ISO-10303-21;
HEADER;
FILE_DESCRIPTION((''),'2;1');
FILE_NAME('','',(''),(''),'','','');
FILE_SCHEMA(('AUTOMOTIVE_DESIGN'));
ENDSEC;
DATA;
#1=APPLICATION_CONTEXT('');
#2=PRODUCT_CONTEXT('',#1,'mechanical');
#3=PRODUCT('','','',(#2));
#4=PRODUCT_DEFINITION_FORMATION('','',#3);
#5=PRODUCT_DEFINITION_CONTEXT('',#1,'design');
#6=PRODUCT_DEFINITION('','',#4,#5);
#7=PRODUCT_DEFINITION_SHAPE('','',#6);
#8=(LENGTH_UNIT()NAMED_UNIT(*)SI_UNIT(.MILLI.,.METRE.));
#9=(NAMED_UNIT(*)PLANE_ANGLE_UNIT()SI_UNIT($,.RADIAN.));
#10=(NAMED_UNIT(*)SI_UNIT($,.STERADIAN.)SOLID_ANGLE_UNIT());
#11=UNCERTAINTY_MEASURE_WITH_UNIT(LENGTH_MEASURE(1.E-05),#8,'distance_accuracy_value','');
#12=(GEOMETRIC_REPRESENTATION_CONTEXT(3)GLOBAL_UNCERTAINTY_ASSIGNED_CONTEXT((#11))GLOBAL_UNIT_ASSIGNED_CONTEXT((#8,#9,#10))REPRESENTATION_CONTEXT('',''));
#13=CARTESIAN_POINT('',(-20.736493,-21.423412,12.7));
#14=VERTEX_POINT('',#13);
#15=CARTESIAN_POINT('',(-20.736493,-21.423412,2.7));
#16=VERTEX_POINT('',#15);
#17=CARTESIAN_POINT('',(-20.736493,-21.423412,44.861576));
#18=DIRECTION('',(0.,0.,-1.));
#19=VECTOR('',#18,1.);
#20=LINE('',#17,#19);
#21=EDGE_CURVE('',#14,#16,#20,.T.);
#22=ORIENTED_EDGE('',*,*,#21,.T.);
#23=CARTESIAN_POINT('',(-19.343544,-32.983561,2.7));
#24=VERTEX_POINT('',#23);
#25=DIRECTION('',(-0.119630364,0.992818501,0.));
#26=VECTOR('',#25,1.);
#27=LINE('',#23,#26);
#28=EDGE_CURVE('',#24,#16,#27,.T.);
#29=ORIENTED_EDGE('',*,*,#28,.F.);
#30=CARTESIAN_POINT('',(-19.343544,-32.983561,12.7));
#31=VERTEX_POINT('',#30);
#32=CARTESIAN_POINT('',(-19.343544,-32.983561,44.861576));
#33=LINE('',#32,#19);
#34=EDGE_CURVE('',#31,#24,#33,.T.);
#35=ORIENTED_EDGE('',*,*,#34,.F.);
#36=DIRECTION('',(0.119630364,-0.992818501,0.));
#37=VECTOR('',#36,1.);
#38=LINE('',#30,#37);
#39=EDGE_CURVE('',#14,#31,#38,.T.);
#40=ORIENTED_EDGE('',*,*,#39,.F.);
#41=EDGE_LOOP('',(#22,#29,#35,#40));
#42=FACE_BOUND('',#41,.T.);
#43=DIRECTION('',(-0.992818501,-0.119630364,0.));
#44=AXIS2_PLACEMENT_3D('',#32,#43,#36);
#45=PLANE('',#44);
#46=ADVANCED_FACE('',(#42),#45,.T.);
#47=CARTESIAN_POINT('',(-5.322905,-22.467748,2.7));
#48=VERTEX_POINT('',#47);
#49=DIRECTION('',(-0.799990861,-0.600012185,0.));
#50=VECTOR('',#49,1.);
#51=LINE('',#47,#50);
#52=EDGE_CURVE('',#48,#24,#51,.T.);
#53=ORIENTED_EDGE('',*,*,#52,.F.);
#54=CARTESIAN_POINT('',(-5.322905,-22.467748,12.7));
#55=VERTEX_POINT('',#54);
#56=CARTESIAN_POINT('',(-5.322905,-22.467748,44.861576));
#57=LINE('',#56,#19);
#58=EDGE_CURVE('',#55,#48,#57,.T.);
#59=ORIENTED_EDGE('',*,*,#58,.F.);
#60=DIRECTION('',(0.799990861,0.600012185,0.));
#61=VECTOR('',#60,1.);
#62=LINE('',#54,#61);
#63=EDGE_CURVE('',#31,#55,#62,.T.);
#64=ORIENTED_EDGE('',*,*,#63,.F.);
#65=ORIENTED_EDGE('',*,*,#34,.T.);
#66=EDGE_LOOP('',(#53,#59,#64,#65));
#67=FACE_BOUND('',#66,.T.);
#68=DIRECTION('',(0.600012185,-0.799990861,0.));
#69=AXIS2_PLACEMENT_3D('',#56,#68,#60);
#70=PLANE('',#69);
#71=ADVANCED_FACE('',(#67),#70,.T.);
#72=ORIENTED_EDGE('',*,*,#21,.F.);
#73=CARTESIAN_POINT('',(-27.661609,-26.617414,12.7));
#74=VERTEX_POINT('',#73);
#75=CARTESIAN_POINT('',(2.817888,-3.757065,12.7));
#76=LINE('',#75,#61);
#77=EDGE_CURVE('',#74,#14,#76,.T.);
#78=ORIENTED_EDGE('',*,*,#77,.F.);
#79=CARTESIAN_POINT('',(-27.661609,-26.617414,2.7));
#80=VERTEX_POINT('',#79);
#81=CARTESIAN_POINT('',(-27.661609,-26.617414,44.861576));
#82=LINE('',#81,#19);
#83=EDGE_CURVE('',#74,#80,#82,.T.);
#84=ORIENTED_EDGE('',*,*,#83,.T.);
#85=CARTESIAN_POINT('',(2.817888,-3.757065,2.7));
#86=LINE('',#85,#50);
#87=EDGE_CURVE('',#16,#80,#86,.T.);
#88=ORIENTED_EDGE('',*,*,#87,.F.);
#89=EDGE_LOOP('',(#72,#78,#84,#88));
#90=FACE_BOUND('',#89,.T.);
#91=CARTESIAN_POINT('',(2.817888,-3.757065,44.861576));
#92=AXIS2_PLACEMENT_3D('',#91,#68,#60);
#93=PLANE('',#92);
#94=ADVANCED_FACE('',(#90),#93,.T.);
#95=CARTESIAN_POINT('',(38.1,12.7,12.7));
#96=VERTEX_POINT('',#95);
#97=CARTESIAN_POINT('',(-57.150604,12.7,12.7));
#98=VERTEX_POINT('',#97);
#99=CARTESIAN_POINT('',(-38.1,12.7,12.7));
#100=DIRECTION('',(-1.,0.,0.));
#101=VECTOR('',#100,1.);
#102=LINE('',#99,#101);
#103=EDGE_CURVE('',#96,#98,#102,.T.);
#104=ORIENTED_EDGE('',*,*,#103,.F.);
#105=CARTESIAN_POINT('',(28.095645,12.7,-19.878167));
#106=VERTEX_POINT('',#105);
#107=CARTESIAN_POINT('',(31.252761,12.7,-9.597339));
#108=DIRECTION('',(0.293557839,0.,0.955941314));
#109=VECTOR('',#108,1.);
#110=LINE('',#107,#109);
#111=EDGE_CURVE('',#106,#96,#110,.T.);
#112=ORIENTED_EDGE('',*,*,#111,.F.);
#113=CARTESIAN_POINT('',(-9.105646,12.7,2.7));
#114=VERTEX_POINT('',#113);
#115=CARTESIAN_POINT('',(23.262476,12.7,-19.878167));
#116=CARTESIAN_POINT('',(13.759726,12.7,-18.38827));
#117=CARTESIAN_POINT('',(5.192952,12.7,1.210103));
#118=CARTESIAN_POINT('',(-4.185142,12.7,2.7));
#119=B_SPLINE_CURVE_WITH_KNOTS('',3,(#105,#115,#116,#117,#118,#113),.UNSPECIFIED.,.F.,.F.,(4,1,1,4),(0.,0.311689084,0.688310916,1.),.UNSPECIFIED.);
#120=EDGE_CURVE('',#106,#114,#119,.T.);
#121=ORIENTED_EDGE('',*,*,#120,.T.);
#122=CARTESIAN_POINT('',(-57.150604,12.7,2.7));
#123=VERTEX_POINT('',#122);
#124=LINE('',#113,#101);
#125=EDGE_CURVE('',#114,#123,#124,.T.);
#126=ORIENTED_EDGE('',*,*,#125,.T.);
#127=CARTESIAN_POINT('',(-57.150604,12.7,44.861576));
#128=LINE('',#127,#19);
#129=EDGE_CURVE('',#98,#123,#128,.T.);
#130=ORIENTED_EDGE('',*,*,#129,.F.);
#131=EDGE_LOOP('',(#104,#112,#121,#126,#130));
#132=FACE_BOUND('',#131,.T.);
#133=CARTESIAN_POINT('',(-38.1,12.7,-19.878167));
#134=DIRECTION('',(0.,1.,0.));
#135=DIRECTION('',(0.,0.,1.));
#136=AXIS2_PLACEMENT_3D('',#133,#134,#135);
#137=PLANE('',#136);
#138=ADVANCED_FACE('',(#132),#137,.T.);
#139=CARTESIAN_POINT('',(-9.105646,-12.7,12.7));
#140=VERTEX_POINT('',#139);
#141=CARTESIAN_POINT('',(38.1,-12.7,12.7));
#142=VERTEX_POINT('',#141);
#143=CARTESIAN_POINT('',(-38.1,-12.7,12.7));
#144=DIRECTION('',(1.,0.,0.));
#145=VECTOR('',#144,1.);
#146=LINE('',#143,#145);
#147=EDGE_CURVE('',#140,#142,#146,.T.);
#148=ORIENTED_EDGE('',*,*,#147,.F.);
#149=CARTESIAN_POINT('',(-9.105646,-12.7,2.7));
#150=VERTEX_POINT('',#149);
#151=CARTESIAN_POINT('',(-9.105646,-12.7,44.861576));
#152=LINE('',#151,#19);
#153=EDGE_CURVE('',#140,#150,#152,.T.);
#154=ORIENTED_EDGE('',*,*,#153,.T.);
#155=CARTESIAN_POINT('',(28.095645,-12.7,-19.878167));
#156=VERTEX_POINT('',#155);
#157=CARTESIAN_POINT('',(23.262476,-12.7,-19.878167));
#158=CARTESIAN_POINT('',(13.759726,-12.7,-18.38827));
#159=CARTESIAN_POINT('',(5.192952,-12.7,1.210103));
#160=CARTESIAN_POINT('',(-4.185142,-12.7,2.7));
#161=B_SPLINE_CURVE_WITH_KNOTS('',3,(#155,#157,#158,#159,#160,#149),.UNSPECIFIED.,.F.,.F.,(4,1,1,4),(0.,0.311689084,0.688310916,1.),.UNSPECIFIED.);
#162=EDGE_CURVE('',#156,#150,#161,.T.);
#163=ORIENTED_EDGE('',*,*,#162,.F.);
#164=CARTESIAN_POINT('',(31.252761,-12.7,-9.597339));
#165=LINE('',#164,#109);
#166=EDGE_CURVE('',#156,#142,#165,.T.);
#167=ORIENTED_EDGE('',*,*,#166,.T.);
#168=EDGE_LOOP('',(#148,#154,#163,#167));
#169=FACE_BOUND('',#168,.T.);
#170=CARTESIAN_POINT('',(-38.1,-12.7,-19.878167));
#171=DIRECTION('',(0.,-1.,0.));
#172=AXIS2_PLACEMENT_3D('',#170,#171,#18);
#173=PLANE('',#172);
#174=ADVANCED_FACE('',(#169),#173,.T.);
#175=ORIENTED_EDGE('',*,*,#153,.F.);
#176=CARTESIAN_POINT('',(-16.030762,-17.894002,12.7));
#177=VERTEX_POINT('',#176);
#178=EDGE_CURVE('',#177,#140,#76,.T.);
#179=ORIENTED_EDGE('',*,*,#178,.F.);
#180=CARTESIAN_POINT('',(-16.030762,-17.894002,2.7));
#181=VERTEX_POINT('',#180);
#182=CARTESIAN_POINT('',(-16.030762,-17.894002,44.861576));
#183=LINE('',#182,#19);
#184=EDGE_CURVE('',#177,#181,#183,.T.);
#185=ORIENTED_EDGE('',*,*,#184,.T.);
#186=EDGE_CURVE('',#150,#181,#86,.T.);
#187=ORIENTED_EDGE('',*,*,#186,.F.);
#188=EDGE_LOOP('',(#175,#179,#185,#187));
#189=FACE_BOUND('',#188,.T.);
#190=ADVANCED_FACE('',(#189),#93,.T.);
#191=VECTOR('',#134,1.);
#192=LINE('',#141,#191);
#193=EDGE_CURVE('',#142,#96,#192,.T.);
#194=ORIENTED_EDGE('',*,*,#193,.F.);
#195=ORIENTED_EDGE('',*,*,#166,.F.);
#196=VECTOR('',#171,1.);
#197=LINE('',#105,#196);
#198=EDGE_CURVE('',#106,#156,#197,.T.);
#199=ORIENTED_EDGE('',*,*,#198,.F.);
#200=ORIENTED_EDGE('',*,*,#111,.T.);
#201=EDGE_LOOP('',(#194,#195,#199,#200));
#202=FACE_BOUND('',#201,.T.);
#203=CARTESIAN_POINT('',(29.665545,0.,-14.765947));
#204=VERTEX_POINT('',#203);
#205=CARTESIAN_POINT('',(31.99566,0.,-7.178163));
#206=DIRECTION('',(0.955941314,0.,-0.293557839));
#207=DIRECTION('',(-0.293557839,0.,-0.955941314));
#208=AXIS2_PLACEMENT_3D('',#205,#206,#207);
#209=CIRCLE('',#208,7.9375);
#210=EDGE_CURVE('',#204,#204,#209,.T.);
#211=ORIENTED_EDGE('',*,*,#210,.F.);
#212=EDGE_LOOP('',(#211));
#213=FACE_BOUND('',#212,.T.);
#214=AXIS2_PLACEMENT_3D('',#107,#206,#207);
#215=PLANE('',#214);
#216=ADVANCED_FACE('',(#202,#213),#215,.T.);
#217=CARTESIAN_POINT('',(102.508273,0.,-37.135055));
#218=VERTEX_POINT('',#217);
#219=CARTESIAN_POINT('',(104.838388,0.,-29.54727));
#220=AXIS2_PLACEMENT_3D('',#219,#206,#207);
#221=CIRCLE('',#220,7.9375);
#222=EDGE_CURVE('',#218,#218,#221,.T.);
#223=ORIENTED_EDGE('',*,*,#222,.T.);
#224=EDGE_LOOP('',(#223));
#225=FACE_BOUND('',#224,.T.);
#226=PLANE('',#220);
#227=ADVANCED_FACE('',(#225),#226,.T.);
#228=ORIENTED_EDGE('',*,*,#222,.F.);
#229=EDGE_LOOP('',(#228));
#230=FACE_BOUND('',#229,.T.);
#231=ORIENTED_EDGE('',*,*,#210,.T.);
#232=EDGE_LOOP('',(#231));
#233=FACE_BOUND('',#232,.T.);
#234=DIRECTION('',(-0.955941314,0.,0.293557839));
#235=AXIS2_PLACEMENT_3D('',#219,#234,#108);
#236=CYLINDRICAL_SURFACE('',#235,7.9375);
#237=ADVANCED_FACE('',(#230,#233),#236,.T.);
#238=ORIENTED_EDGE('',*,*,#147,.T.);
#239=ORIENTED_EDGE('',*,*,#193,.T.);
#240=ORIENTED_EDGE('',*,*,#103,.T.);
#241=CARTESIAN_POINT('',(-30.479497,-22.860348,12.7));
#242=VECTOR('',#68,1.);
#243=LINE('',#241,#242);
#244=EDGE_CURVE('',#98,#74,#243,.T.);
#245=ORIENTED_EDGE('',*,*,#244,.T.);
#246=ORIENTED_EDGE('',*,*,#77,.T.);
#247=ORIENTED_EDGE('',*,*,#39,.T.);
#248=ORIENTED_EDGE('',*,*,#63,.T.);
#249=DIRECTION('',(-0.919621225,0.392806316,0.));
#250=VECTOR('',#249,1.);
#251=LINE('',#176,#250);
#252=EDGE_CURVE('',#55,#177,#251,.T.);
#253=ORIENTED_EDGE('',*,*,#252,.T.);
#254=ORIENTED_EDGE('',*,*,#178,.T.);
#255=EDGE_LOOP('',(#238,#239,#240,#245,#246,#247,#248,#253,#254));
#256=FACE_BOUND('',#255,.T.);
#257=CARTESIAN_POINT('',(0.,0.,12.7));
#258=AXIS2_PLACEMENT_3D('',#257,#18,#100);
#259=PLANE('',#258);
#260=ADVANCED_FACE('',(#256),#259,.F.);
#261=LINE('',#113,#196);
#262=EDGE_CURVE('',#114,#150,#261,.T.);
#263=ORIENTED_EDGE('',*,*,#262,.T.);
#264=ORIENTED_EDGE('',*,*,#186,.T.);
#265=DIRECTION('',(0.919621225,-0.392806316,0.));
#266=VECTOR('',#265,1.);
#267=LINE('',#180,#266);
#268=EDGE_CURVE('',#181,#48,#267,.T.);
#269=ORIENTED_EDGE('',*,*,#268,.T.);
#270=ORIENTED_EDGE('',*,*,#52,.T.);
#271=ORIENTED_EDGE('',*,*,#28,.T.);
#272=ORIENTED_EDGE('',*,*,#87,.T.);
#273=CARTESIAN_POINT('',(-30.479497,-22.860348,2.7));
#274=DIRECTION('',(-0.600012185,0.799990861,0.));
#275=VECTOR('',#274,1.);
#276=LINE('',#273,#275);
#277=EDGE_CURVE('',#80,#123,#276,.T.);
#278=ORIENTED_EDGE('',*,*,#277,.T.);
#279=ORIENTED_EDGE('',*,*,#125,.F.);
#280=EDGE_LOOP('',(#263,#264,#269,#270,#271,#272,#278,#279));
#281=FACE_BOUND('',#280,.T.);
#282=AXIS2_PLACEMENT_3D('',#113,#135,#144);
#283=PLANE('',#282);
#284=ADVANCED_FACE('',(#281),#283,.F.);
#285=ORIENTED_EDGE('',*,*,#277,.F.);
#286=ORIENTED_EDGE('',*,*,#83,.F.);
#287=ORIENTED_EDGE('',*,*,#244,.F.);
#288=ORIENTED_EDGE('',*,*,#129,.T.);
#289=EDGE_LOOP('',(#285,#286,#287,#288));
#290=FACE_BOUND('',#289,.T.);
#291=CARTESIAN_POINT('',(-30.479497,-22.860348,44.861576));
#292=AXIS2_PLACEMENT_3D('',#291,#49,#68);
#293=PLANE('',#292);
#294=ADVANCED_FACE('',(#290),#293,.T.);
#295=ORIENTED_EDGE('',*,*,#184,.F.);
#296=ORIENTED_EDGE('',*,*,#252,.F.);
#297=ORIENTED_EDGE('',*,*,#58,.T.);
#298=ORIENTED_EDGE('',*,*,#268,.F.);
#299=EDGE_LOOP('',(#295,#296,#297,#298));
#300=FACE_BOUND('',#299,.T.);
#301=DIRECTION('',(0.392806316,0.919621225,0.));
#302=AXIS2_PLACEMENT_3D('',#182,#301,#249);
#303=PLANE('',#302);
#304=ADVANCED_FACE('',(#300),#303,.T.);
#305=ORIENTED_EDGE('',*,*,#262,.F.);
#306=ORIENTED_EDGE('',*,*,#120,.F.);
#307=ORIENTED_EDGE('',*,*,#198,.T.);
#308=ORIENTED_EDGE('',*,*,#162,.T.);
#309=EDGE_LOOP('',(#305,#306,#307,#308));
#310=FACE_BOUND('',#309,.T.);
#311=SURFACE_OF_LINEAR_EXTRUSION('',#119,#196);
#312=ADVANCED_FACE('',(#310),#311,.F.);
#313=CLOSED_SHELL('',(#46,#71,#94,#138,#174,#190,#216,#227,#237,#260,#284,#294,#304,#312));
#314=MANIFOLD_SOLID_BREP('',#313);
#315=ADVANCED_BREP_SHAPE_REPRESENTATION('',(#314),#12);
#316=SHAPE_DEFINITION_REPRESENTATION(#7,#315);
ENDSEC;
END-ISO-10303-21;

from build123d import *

# Parameters (mm, degrees)
BOSS_EXTRUDE1_DEPTH      = 12.7
BOSS_EXTRUDE1_DEPTH_BACK = 19.878167
SKETCH1_W                = 76.2
SKETCH1_H                = 25.4
CUT_EXTRUDE1_DEPTH       = 50.919049703
SKETCH4_R                = 7.9375
BOSS_EXTRUDE2_DEPTH      = 76.2
BOSS_EXTRUDE3_DEPTH      = 10


with BuildPart() as part:
    # Sketch1 → Boss-Extrude1 (new, two sides: drawn at the far end of the back side and taken through both)
    with BuildSketch(Plane.XY.offset(-BOSS_EXTRUDE1_DEPTH_BACK)):
        Rectangle(SKETCH1_W, SKETCH1_H)
    extrude(amount=BOSS_EXTRUDE1_DEPTH + BOSS_EXTRUDE1_DEPTH_BACK)

    # Sketch2 → Cut-Extrude1 (cut, through all)
    with BuildSketch(Plane.XZ.offset(12.7)):
        Polygon((33.097822487, -3.5890835), (28.095644974, -19.878167), (30.299971912, -19.878167), (38.1, -19.878167), (38.1, -5.125190787), align=None)
        Polygon((38.1, 12.7), (33.097822487, -3.5890835), (38.1, -5.125190787), align=None)
        with BuildLine():
            Line((28.095644974, -19.878167), (-38.1, -19.878167))
            Line((-38.1, -19.878167), (-38.1, 2.7))
            Line((-38.1, 2.7), (-9.105646135, 2.7))
            add(Edge.make_bspline(
                [(28.095644974, -19.878167), (23.262476233, -19.878167), (13.759725723, -18.38827049), (5.19295176, 1.21010349), (-4.185142014, 2.7), (-9.105646135, 2.7)],
                knots=[0, 0, 0, 0, 0.311689084, 0.688310916, 1, 1, 1, 1], degree=3))
        make_face()
    extrude(amount=-CUT_EXTRUDE1_DEPTH, mode=Mode.SUBTRACT)

    # Sketch4 → Boss-Extrude2 (add)
    with BuildSketch(Plane(origin=(31.252760971, 0, -9.59733911), x_dir=(-0.2935578385035089, 0, -0.95594131381228), z_dir=(0.95594131381228, 0, -0.2935578385035089))):
        with Locations((-2.530674188, 0)):
            Circle(SKETCH4_R)
    extrude(amount=BOSS_EXTRUDE2_DEPTH)

    # Sketch5 → Boss-Extrude3 (add)
    with BuildSketch(Plane(origin=(0, 0, 2.7), x_dir=(-1, 0, 0), z_dir=(0, 0, -1))):
        Polygon((38.1, 12.7), (38.1, -12.7), (57.150604496, 12.7), align=None)
        Polygon((27.661608652, -26.617413502), (38.1, -12.7), (9.105646135, -12.7), (16.030761987, -17.894001701), (5.322904607, -22.467747821), (19.34354444, -32.983561373), (20.7364928, -21.423411802), align=None)
    extrude(amount=-BOSS_EXTRUDE3_DEPTH)


solid = part.part
